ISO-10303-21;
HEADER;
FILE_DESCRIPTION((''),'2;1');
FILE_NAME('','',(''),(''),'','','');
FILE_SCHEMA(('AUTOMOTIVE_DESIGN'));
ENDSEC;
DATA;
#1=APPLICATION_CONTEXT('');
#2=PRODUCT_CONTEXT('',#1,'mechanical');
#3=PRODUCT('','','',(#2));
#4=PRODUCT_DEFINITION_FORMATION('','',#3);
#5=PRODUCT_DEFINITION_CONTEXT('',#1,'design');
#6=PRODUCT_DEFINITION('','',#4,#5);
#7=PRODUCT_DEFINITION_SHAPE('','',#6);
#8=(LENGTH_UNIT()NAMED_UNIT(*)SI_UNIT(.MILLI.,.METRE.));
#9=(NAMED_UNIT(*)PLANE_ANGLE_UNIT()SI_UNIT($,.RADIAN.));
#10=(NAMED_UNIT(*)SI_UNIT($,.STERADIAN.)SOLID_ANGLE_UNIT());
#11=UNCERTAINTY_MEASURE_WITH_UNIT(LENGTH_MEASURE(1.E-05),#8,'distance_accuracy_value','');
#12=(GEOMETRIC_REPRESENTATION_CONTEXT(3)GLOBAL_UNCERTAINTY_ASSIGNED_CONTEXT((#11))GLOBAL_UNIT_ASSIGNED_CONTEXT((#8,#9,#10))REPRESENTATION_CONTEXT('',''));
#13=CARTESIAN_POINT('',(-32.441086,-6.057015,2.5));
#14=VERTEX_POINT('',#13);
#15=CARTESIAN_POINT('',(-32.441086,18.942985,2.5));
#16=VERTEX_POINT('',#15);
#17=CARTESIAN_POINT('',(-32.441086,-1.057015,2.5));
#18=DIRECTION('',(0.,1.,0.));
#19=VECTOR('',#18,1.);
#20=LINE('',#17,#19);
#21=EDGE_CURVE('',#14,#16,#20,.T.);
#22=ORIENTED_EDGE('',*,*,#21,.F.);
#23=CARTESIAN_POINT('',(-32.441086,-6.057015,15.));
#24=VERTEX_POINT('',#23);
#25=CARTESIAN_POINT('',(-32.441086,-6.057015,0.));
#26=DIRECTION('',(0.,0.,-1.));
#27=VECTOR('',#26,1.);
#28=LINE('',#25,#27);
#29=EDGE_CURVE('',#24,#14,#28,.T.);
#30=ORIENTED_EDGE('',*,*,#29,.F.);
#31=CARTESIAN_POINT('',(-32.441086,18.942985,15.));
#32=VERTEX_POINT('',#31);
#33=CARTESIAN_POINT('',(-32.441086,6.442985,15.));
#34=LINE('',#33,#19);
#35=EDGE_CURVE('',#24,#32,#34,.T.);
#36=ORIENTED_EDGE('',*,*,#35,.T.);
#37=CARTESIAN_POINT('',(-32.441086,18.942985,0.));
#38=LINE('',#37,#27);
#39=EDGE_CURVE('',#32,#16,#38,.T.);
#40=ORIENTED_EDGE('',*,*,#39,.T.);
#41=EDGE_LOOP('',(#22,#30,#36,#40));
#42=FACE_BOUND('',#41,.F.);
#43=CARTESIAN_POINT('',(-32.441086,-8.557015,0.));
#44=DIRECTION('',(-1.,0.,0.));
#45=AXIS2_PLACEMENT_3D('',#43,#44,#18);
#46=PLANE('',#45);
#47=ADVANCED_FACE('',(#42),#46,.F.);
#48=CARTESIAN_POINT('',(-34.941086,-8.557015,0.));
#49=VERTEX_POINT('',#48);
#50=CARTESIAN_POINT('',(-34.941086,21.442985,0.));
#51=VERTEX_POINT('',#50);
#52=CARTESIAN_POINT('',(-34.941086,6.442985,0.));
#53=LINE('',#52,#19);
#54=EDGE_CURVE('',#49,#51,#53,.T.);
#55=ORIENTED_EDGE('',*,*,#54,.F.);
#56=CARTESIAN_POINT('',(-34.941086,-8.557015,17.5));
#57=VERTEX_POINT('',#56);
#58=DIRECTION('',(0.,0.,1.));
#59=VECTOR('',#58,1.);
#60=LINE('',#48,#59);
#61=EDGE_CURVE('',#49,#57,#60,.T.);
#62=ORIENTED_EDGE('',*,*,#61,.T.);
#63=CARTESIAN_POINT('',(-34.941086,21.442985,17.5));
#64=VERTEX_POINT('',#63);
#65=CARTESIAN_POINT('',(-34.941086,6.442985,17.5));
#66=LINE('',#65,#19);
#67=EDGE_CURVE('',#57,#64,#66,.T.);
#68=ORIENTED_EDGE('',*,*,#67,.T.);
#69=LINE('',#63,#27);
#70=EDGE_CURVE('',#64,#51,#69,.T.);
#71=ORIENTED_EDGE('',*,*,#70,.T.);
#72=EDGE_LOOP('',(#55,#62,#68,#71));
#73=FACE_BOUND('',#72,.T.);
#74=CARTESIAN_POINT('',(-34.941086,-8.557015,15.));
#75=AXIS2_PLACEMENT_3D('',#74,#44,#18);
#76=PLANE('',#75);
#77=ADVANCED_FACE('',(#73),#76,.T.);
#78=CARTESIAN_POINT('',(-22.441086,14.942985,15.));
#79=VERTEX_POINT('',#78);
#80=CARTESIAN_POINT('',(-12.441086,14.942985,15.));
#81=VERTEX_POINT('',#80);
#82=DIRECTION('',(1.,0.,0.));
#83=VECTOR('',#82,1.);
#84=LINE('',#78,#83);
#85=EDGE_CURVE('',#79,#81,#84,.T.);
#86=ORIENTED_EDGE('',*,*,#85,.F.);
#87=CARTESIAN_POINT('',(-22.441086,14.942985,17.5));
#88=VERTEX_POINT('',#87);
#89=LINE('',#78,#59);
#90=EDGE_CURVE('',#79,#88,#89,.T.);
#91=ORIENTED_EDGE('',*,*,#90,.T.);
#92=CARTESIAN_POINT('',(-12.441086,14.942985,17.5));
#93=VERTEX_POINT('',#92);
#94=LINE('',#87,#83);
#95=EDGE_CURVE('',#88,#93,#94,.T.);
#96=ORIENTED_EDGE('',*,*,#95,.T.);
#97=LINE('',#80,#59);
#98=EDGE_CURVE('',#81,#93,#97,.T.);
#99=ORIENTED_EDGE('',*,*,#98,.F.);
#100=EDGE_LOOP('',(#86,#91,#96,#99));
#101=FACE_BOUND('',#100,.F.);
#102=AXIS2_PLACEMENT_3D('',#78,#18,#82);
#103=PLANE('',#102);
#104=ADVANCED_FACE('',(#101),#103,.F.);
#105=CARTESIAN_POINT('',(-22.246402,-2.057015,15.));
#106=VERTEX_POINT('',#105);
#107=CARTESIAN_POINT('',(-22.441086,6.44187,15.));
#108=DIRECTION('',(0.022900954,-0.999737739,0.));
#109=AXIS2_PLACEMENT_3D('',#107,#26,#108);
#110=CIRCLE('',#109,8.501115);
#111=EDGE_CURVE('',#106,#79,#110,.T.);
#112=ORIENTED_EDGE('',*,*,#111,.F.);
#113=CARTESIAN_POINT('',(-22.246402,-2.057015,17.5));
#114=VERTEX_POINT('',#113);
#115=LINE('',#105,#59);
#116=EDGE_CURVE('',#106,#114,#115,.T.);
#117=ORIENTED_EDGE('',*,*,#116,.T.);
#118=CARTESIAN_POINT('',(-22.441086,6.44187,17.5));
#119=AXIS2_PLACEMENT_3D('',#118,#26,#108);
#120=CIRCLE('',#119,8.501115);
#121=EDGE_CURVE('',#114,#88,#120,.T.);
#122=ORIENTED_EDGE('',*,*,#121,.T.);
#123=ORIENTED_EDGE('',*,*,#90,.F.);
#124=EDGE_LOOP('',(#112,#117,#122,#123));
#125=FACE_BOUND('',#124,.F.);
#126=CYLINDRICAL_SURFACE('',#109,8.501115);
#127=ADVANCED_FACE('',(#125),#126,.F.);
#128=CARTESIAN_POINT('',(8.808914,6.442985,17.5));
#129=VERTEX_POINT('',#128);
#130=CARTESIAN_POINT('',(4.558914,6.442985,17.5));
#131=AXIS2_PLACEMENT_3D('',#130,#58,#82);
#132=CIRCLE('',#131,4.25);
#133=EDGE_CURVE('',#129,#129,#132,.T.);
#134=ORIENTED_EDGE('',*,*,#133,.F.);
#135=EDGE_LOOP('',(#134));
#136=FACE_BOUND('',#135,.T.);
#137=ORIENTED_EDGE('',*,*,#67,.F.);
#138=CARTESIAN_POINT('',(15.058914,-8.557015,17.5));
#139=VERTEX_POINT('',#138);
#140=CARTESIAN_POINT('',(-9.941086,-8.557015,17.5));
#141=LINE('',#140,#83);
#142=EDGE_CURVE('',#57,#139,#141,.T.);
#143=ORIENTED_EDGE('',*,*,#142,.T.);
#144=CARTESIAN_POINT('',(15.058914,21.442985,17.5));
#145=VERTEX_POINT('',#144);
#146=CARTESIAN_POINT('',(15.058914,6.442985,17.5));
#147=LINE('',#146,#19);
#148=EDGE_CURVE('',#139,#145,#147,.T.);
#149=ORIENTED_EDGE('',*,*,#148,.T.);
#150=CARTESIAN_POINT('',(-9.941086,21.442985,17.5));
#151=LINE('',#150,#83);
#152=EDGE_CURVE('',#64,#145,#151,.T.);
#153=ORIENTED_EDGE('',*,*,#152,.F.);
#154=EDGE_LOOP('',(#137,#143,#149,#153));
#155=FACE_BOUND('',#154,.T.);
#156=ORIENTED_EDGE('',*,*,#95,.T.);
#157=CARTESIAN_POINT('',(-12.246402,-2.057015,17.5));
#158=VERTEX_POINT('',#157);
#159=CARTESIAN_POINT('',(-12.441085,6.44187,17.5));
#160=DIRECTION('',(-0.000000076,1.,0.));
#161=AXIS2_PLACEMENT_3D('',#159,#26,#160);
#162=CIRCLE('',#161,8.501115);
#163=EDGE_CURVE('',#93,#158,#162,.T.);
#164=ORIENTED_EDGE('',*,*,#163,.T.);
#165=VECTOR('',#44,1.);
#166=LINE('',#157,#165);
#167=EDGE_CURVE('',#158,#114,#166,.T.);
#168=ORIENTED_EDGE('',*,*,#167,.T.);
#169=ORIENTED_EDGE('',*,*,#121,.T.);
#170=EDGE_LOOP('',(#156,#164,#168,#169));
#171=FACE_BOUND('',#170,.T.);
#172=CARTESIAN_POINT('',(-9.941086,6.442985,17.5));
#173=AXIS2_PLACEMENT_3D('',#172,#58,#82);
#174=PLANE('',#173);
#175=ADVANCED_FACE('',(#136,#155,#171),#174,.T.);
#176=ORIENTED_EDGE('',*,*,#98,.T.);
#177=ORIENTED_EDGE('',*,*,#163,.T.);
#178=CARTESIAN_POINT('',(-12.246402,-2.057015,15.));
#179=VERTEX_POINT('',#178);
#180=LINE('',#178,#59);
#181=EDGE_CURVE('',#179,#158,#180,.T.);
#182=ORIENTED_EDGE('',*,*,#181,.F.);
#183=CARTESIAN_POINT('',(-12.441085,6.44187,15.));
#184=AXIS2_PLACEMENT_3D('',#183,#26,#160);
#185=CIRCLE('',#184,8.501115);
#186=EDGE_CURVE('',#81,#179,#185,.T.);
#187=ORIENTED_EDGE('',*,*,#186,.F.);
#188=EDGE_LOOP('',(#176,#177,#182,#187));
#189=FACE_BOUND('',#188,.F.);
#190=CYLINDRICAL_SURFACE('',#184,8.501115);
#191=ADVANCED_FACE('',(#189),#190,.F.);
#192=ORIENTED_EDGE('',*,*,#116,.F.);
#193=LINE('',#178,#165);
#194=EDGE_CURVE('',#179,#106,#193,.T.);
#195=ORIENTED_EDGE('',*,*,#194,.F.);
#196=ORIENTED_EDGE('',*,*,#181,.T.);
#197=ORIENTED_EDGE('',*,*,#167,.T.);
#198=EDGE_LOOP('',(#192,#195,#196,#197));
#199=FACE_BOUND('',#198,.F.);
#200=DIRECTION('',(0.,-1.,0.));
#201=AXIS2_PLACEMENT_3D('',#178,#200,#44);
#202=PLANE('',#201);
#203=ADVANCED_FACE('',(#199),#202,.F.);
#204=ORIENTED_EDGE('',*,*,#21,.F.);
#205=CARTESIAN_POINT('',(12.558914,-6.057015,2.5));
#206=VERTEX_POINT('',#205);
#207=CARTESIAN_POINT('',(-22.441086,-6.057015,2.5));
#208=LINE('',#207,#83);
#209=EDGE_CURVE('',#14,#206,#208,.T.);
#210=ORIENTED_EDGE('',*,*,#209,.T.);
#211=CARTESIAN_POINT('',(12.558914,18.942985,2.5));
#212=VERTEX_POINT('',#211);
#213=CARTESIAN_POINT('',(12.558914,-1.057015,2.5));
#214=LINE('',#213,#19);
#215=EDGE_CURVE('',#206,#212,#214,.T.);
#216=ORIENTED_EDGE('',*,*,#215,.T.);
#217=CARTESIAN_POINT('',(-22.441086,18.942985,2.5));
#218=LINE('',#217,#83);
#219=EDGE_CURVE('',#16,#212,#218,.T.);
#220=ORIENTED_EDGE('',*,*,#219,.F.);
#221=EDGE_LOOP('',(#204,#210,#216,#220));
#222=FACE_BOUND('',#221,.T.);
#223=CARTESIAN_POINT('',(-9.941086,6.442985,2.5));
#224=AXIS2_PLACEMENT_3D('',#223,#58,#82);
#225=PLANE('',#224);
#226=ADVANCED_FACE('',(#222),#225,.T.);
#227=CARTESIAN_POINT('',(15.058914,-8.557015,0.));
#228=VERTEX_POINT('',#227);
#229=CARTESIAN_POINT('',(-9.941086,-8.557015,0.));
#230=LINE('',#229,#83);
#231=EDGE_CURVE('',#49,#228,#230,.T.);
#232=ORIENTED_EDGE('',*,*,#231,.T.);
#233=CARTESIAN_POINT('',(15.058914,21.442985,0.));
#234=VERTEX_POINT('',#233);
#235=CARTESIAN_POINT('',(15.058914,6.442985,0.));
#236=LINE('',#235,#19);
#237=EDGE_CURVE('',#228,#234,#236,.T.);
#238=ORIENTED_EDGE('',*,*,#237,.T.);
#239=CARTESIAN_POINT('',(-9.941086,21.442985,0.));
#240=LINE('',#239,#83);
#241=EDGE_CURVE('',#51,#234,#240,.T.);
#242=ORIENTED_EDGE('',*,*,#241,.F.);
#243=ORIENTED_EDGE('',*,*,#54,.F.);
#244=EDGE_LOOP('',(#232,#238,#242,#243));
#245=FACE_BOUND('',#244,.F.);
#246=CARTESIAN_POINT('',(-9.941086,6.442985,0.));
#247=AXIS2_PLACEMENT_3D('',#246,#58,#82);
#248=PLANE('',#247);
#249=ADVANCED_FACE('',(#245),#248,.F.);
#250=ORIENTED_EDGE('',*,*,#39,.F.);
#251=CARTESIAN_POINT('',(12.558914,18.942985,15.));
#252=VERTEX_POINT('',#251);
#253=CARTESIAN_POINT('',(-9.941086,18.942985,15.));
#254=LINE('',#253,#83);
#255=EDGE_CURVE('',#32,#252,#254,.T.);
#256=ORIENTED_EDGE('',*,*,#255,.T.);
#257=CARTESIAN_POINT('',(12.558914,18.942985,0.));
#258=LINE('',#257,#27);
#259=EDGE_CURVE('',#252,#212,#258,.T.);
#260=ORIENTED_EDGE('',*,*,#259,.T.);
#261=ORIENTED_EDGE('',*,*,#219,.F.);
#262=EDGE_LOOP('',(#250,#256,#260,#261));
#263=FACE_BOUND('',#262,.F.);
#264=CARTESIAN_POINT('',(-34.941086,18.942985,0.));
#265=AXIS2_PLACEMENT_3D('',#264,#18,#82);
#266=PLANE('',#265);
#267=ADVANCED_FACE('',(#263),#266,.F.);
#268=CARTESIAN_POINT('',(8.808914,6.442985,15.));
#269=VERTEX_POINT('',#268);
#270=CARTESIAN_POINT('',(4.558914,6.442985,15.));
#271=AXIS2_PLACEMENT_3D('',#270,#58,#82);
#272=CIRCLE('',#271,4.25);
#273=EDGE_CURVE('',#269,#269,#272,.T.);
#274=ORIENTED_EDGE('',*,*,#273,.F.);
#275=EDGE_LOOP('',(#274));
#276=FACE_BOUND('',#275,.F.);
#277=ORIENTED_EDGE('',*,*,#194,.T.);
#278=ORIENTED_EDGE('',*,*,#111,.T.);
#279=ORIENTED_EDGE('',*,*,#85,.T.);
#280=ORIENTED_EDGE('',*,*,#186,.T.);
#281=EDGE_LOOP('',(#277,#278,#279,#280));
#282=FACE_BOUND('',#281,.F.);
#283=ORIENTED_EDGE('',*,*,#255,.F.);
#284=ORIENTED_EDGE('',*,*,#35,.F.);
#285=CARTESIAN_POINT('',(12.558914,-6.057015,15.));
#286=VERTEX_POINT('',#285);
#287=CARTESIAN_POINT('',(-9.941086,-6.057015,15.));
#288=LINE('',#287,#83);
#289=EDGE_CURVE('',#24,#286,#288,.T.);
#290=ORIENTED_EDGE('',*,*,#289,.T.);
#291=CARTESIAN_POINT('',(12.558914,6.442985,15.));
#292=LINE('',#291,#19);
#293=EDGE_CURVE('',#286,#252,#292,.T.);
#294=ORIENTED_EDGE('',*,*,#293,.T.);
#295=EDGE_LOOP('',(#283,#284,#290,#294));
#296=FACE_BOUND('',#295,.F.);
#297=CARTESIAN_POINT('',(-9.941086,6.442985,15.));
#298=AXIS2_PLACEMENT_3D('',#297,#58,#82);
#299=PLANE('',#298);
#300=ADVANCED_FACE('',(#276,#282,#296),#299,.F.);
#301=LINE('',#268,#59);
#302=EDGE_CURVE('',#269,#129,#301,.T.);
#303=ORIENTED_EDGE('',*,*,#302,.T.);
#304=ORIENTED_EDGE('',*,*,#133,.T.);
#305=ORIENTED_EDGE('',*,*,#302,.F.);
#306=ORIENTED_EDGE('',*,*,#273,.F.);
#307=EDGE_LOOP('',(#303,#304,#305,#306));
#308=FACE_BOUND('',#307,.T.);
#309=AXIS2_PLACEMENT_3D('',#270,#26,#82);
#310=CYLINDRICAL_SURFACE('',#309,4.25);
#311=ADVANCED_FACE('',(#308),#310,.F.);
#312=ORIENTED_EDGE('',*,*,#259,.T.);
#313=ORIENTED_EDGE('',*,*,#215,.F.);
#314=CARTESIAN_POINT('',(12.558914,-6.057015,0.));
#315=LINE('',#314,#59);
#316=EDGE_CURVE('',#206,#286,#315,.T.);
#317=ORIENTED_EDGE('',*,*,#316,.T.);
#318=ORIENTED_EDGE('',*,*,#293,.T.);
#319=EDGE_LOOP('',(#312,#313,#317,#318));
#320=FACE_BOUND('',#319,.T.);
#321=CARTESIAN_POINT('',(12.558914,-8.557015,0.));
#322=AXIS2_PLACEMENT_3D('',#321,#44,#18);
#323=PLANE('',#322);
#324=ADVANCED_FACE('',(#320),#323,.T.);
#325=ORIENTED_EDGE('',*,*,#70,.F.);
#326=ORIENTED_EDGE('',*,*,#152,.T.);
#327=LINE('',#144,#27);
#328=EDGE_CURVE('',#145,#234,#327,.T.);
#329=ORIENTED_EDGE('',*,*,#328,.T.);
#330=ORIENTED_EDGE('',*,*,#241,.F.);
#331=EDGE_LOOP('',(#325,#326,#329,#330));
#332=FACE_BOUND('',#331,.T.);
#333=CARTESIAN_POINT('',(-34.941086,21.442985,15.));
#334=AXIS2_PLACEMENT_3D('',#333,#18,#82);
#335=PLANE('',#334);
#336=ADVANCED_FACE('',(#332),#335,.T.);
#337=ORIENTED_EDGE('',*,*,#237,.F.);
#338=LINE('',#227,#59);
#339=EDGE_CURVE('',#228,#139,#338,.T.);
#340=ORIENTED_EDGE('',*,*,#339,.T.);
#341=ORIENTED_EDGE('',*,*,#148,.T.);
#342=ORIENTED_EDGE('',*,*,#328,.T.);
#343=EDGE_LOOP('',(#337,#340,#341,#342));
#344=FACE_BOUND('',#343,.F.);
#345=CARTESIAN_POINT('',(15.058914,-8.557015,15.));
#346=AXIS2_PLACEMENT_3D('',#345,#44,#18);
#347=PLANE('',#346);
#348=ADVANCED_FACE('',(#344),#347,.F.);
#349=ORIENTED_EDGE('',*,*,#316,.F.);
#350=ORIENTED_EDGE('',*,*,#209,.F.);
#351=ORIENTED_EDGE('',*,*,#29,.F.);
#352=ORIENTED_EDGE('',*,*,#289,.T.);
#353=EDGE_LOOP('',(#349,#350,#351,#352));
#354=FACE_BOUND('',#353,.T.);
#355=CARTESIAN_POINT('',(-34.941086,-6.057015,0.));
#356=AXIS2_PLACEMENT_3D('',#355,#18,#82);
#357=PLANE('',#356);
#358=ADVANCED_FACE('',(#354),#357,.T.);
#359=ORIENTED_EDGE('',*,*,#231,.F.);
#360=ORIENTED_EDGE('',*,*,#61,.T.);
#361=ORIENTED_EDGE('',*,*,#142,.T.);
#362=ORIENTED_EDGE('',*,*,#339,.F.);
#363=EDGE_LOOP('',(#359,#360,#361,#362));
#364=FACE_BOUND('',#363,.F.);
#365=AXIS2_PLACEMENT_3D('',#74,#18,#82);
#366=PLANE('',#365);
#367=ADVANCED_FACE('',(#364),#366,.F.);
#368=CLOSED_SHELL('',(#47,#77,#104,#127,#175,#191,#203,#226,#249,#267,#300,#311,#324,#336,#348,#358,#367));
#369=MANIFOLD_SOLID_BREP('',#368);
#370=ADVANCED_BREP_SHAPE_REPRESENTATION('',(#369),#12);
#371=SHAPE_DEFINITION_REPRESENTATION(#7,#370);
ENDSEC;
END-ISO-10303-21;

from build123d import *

# Parameters (mm, degrees)
F0_W     = 50
F0_H     = 30
F1_DEPTH = 15
F2_T     = -2.5
F3_W     = 50
F3_H     = 30
F3_R     = 4.25
F4_DEPTH = 2.5


with BuildPart() as f1:
    # F0 (on Top) → F1 (new body)
    with BuildSketch(Plane.XY):
        with Locations((-9.941086, 6.442985)):
            Rectangle(F0_W, F0_H)
    extrude(amount=F1_DEPTH)

    # F2
    f2_openings = [f1.faces().sort_by_distance(p)[0] for p in [
        (-9.941086, 6.442985, 15),
    ]]
    offset(amount=F2_T, openings=f2_openings)

    # F3 (on face) → F4 (join)
    with BuildSketch(Plane.XY.offset(15)):
        with Locations((-9.941086, 6.442985)):
            Rectangle(F3_W, F3_H)
        with BuildLine():
            ThreePointArc((-22.246402, -2.057015), (-30.941643, 6.344522), (-22.441086, 14.942985))
            Line((-22.441086, 14.942985), (-12.441086, 14.942985))
            ThreePointArc((-12.441086, 14.942985), (-3.940528, 6.539219), (-12.246402, -2.057015))
            Line((-12.246402, -2.057015), (-22.246402, -2.057015))
        make_face(mode=Mode.SUBTRACT)
        with Locations((4.558914, 6.442985)):
            Circle(F3_R, mode=Mode.SUBTRACT)
    extrude(amount=F4_DEPTH)


solid = f1.part
